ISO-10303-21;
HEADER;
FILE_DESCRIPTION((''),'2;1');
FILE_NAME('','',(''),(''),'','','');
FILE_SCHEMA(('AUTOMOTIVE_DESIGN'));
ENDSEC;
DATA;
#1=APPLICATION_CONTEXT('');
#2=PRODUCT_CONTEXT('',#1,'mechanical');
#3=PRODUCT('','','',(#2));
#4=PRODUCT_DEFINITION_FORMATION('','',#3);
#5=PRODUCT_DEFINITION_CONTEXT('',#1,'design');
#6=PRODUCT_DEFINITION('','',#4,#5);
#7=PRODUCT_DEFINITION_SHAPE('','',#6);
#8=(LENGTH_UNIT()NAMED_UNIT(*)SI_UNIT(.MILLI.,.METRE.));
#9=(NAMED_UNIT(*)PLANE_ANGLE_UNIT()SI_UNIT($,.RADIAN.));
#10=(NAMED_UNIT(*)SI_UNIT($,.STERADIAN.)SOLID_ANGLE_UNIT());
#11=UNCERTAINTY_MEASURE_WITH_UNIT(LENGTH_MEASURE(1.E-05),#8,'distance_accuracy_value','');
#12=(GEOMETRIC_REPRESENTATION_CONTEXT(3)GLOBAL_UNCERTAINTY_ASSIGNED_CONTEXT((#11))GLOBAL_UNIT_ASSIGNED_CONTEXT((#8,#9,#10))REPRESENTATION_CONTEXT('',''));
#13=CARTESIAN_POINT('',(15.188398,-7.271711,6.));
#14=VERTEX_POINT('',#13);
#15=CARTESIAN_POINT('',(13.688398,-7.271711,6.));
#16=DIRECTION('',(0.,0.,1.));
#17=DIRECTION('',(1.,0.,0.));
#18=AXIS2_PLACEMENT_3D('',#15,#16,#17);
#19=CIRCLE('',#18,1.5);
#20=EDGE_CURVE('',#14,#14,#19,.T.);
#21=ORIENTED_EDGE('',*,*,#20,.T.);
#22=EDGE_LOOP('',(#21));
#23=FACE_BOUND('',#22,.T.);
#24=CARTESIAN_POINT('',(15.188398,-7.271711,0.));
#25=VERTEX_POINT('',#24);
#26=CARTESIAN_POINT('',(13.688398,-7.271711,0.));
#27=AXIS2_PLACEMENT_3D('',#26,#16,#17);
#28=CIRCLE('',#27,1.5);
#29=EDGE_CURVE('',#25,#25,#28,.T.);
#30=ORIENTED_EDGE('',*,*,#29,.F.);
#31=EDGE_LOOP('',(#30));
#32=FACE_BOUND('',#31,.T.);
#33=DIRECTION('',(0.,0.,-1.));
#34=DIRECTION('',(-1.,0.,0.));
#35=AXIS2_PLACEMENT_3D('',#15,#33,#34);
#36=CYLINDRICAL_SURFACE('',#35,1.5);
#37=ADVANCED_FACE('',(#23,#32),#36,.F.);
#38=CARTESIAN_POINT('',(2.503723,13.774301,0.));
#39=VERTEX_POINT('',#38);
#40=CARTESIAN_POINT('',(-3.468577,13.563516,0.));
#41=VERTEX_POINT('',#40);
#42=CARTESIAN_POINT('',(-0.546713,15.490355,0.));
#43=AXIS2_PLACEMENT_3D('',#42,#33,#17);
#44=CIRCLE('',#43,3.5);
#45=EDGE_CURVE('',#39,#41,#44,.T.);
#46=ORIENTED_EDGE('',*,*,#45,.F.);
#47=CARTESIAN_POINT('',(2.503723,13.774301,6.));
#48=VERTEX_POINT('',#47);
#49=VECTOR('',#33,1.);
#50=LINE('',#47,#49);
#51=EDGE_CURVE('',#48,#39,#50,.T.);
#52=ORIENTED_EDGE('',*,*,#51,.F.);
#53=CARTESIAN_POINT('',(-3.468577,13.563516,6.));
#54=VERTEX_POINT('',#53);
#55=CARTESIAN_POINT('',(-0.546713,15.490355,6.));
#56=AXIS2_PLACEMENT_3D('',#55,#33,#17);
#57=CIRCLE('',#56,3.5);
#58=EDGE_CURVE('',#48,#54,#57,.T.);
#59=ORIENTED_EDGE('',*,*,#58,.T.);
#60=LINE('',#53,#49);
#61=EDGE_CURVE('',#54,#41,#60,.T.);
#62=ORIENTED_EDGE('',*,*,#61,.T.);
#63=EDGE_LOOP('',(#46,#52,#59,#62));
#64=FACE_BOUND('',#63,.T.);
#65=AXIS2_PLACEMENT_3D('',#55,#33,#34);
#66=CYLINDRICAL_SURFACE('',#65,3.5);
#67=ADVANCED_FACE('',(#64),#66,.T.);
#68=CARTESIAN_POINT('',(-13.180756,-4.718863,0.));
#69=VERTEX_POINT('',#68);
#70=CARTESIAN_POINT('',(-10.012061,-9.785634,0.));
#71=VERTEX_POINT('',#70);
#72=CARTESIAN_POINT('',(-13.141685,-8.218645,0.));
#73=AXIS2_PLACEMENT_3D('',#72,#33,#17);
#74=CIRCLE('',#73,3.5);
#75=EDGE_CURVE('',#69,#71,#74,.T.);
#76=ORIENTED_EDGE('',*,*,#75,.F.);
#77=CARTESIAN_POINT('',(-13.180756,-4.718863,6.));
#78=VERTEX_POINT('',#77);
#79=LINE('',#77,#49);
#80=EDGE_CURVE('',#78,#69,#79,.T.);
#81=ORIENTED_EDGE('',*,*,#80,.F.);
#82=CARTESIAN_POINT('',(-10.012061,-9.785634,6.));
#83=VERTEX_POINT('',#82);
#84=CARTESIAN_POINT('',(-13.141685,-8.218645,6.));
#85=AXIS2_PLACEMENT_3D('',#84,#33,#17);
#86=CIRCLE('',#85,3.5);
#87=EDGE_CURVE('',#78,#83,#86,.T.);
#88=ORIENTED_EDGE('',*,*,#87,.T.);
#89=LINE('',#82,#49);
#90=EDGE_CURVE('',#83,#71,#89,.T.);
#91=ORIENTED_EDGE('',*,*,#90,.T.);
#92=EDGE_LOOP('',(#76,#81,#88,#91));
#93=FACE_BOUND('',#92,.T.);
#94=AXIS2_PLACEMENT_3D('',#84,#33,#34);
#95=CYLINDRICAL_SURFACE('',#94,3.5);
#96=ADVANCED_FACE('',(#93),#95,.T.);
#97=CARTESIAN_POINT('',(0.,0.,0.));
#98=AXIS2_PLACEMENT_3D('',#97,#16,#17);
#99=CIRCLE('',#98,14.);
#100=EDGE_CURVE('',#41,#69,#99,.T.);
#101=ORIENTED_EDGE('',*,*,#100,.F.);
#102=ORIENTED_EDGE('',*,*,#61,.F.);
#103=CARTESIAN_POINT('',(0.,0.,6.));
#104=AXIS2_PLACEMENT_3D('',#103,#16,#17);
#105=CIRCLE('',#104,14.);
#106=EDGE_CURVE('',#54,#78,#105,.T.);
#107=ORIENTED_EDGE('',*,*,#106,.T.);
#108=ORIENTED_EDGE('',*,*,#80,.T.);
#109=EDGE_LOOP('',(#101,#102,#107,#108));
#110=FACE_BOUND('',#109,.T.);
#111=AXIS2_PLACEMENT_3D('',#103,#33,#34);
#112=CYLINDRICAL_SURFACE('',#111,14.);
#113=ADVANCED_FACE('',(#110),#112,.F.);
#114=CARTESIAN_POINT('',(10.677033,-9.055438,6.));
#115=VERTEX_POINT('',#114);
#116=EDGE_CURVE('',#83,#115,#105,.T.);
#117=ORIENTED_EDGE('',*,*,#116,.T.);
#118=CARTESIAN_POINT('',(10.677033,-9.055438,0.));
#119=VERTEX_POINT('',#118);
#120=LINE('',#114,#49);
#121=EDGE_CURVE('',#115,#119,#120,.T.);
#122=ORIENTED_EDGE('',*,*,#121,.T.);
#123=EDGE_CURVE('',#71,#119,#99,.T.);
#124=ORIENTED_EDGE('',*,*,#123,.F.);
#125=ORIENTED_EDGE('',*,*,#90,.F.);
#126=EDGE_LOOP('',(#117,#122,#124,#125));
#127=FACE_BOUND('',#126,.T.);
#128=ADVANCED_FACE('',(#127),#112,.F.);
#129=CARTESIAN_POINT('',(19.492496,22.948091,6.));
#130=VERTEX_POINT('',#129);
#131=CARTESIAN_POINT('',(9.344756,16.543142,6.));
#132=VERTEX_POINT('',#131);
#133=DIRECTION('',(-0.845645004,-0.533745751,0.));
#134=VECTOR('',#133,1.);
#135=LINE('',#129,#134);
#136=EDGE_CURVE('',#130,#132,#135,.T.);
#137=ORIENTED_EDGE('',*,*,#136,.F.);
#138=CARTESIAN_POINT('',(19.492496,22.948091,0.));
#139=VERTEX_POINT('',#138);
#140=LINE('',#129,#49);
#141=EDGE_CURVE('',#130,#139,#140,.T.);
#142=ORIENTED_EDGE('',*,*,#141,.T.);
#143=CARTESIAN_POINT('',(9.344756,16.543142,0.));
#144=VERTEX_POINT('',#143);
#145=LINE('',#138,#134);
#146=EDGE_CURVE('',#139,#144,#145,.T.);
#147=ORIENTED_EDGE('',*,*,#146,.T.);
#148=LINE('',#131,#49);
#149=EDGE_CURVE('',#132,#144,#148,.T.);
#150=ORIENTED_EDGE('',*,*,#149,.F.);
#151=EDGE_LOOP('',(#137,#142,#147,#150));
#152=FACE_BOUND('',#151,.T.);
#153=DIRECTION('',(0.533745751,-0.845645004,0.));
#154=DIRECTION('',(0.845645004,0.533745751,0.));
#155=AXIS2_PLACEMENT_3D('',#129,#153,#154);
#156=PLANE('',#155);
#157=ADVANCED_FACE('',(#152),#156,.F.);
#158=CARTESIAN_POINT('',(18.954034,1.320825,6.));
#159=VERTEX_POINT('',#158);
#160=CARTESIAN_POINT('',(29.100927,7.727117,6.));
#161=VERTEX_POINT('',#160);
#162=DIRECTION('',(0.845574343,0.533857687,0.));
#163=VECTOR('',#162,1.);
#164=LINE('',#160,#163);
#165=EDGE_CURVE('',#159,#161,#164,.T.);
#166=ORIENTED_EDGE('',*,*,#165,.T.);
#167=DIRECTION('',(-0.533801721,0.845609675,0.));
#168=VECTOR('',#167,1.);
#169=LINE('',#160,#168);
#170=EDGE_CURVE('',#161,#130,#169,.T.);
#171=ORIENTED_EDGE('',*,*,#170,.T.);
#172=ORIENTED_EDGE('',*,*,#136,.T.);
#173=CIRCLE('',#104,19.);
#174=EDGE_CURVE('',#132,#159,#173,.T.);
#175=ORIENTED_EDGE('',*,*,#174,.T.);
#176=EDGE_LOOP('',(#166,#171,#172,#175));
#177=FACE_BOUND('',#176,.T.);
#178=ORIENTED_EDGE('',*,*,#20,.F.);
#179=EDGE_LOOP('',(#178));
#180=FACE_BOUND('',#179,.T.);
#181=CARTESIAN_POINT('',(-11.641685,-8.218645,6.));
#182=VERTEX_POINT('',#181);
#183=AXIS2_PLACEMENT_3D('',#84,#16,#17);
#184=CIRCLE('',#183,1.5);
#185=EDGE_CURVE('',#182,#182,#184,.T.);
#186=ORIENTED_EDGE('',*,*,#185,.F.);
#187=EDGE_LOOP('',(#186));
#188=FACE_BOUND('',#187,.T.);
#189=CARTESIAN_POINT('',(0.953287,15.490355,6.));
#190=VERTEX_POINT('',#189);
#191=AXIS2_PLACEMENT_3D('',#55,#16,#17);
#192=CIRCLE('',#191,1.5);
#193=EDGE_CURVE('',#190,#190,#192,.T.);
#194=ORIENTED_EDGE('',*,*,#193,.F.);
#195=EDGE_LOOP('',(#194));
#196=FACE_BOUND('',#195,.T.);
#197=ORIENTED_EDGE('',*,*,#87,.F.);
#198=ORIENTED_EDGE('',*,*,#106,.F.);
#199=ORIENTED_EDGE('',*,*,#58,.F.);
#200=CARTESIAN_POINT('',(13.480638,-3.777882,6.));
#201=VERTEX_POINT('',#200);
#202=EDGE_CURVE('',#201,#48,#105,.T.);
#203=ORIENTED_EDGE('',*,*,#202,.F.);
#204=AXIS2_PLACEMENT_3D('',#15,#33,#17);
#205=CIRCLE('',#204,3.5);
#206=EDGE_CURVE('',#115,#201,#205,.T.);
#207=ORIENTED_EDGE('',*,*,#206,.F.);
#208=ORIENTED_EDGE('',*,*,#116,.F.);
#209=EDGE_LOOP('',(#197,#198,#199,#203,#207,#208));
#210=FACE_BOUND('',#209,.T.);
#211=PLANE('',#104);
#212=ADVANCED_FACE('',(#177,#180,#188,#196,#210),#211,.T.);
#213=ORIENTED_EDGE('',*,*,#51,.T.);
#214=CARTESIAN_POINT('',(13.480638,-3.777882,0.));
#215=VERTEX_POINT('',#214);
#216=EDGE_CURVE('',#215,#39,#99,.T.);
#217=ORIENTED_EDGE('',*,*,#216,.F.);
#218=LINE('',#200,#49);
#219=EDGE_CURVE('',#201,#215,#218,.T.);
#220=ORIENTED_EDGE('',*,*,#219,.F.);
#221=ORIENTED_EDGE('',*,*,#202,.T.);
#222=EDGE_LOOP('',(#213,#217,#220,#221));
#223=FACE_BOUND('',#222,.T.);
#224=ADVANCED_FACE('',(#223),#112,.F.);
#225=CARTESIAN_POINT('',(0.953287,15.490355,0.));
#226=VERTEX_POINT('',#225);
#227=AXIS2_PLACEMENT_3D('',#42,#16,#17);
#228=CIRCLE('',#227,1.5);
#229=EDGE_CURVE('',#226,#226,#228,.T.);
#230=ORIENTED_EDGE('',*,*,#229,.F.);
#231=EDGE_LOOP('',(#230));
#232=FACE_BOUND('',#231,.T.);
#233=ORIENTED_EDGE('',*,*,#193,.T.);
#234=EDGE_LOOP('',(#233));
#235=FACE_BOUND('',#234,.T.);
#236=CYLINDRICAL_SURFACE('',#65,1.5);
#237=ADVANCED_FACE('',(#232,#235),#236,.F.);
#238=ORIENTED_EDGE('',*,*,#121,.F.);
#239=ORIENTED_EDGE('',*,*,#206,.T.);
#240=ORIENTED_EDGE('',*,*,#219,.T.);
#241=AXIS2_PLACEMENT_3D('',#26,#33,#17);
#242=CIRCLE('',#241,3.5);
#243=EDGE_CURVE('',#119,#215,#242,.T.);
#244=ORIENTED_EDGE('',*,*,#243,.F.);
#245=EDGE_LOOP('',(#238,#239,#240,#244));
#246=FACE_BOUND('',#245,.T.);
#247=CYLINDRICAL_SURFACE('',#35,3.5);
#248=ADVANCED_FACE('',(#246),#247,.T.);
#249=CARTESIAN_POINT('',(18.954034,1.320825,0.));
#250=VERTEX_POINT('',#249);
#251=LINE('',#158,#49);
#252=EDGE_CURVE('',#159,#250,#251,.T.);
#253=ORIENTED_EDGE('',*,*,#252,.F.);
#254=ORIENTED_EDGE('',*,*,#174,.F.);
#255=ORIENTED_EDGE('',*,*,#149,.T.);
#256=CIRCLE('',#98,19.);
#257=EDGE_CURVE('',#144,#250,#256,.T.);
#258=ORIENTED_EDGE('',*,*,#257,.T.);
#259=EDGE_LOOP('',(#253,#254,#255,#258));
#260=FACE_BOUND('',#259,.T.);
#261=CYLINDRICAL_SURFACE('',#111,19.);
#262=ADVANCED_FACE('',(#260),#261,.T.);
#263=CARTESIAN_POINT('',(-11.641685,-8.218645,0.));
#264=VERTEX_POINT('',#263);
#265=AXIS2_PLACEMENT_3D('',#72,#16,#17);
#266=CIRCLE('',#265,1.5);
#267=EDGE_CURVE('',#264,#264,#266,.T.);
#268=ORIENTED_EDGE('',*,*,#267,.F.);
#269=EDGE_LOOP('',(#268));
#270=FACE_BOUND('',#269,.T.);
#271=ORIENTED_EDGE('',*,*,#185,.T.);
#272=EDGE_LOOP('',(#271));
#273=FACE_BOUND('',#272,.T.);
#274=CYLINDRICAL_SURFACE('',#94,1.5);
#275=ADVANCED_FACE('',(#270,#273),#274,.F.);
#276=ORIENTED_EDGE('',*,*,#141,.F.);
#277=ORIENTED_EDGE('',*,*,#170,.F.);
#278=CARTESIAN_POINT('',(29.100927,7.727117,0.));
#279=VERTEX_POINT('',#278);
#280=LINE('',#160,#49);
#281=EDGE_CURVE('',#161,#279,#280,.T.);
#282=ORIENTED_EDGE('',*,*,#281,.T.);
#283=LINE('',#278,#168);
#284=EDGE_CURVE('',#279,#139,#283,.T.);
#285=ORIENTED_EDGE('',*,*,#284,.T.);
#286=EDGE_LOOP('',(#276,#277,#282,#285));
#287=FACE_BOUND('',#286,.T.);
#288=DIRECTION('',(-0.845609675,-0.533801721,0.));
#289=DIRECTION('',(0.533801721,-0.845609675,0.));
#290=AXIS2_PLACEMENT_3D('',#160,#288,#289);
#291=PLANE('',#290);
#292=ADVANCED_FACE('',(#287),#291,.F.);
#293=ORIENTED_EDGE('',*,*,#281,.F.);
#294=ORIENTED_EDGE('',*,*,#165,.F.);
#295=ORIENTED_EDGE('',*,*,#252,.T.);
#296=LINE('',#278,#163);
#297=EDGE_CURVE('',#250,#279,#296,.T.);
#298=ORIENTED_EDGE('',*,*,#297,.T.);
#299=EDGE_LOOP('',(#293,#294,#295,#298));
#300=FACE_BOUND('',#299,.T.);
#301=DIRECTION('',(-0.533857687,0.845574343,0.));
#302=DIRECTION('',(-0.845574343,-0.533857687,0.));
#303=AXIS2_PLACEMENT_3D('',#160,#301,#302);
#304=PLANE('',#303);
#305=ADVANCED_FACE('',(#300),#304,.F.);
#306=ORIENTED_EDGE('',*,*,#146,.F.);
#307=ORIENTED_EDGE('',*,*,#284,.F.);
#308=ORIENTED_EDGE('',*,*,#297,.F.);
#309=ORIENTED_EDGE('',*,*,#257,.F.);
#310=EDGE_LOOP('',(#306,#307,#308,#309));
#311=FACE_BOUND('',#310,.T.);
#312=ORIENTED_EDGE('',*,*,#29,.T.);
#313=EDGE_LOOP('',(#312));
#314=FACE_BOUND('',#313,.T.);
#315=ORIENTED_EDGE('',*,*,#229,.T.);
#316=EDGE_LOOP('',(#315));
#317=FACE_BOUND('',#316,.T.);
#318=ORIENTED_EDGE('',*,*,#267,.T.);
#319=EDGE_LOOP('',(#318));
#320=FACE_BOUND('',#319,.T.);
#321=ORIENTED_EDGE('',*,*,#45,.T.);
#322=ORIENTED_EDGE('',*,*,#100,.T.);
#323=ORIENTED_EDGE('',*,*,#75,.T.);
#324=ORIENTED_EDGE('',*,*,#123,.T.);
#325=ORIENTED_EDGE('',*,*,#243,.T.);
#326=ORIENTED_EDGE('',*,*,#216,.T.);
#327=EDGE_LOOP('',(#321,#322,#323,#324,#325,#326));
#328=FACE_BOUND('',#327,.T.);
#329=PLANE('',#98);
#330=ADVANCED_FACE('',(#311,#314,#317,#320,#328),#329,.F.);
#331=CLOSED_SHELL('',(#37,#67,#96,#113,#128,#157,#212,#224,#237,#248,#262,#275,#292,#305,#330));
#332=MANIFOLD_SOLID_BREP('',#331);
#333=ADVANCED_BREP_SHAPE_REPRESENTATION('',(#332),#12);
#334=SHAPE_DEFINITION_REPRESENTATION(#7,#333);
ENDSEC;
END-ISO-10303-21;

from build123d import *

# Parameters (mm, degrees)
ESQUISSE1_R        = 1.5
BOSS_EXTRU_3_DEPTH = 6


with BuildPart() as part:
    # Esquisse1 → Boss.-Extru.3 (new body)
    with BuildSketch(Plane.XY):
        with BuildLine():
            Line((29.100926589, 7.727116755), (19.492495604, 22.948090903))
            Line((19.492495604, 22.948090903), (9.344755552, 16.543141892))
            ThreePointArc((9.344755552, 16.543141892), (-16.066583823, -10.142232706), (18.954034468, 1.320824515))
            Line((18.954034468, 1.320824515), (29.100926589, 7.727116755))
        make_face()
        with Locations((-0.546712729, 15.490355231)):
            Circle(ESQUISSE1_R, mode=Mode.SUBTRACT)
        with Locations((-13.14168478, -8.218644727)):
            Circle(ESQUISSE1_R, mode=Mode.SUBTRACT)
        with Locations((13.688397508, -7.271710504)):
            Circle(ESQUISSE1_R, mode=Mode.SUBTRACT)
        with BuildLine():
            ThreePointArc((-3.468577117, 13.56351624), (-0.423261467, 11.992533082), (2.503723019, 13.774301109))
            ThreePointArc((2.503723019, 13.774301109), (11.869908833, 7.423292012), (13.480638187, -3.777882222))
            ThreePointArc((13.480638187, -3.777882222), (10.597469039, -5.629711358), (10.677033171, -9.055438293))
            ThreePointArc((10.677033171, -9.055438293), (0.493805045, -13.991288596), (-10.01206107, -9.785634018))
            ThreePointArc((-10.01206107, -9.785634018), (-10.174207571, -6.362821724), (-13.180756189, -4.718862816))
            ThreePointArc((-13.180756189, -4.718862816), (-12.363713879, 6.567996584), (-3.468577117, 13.56351624))
        make_face(mode=Mode.SUBTRACT)
    extrude(amount=BOSS_EXTRU_3_DEPTH)


solid = part.part
